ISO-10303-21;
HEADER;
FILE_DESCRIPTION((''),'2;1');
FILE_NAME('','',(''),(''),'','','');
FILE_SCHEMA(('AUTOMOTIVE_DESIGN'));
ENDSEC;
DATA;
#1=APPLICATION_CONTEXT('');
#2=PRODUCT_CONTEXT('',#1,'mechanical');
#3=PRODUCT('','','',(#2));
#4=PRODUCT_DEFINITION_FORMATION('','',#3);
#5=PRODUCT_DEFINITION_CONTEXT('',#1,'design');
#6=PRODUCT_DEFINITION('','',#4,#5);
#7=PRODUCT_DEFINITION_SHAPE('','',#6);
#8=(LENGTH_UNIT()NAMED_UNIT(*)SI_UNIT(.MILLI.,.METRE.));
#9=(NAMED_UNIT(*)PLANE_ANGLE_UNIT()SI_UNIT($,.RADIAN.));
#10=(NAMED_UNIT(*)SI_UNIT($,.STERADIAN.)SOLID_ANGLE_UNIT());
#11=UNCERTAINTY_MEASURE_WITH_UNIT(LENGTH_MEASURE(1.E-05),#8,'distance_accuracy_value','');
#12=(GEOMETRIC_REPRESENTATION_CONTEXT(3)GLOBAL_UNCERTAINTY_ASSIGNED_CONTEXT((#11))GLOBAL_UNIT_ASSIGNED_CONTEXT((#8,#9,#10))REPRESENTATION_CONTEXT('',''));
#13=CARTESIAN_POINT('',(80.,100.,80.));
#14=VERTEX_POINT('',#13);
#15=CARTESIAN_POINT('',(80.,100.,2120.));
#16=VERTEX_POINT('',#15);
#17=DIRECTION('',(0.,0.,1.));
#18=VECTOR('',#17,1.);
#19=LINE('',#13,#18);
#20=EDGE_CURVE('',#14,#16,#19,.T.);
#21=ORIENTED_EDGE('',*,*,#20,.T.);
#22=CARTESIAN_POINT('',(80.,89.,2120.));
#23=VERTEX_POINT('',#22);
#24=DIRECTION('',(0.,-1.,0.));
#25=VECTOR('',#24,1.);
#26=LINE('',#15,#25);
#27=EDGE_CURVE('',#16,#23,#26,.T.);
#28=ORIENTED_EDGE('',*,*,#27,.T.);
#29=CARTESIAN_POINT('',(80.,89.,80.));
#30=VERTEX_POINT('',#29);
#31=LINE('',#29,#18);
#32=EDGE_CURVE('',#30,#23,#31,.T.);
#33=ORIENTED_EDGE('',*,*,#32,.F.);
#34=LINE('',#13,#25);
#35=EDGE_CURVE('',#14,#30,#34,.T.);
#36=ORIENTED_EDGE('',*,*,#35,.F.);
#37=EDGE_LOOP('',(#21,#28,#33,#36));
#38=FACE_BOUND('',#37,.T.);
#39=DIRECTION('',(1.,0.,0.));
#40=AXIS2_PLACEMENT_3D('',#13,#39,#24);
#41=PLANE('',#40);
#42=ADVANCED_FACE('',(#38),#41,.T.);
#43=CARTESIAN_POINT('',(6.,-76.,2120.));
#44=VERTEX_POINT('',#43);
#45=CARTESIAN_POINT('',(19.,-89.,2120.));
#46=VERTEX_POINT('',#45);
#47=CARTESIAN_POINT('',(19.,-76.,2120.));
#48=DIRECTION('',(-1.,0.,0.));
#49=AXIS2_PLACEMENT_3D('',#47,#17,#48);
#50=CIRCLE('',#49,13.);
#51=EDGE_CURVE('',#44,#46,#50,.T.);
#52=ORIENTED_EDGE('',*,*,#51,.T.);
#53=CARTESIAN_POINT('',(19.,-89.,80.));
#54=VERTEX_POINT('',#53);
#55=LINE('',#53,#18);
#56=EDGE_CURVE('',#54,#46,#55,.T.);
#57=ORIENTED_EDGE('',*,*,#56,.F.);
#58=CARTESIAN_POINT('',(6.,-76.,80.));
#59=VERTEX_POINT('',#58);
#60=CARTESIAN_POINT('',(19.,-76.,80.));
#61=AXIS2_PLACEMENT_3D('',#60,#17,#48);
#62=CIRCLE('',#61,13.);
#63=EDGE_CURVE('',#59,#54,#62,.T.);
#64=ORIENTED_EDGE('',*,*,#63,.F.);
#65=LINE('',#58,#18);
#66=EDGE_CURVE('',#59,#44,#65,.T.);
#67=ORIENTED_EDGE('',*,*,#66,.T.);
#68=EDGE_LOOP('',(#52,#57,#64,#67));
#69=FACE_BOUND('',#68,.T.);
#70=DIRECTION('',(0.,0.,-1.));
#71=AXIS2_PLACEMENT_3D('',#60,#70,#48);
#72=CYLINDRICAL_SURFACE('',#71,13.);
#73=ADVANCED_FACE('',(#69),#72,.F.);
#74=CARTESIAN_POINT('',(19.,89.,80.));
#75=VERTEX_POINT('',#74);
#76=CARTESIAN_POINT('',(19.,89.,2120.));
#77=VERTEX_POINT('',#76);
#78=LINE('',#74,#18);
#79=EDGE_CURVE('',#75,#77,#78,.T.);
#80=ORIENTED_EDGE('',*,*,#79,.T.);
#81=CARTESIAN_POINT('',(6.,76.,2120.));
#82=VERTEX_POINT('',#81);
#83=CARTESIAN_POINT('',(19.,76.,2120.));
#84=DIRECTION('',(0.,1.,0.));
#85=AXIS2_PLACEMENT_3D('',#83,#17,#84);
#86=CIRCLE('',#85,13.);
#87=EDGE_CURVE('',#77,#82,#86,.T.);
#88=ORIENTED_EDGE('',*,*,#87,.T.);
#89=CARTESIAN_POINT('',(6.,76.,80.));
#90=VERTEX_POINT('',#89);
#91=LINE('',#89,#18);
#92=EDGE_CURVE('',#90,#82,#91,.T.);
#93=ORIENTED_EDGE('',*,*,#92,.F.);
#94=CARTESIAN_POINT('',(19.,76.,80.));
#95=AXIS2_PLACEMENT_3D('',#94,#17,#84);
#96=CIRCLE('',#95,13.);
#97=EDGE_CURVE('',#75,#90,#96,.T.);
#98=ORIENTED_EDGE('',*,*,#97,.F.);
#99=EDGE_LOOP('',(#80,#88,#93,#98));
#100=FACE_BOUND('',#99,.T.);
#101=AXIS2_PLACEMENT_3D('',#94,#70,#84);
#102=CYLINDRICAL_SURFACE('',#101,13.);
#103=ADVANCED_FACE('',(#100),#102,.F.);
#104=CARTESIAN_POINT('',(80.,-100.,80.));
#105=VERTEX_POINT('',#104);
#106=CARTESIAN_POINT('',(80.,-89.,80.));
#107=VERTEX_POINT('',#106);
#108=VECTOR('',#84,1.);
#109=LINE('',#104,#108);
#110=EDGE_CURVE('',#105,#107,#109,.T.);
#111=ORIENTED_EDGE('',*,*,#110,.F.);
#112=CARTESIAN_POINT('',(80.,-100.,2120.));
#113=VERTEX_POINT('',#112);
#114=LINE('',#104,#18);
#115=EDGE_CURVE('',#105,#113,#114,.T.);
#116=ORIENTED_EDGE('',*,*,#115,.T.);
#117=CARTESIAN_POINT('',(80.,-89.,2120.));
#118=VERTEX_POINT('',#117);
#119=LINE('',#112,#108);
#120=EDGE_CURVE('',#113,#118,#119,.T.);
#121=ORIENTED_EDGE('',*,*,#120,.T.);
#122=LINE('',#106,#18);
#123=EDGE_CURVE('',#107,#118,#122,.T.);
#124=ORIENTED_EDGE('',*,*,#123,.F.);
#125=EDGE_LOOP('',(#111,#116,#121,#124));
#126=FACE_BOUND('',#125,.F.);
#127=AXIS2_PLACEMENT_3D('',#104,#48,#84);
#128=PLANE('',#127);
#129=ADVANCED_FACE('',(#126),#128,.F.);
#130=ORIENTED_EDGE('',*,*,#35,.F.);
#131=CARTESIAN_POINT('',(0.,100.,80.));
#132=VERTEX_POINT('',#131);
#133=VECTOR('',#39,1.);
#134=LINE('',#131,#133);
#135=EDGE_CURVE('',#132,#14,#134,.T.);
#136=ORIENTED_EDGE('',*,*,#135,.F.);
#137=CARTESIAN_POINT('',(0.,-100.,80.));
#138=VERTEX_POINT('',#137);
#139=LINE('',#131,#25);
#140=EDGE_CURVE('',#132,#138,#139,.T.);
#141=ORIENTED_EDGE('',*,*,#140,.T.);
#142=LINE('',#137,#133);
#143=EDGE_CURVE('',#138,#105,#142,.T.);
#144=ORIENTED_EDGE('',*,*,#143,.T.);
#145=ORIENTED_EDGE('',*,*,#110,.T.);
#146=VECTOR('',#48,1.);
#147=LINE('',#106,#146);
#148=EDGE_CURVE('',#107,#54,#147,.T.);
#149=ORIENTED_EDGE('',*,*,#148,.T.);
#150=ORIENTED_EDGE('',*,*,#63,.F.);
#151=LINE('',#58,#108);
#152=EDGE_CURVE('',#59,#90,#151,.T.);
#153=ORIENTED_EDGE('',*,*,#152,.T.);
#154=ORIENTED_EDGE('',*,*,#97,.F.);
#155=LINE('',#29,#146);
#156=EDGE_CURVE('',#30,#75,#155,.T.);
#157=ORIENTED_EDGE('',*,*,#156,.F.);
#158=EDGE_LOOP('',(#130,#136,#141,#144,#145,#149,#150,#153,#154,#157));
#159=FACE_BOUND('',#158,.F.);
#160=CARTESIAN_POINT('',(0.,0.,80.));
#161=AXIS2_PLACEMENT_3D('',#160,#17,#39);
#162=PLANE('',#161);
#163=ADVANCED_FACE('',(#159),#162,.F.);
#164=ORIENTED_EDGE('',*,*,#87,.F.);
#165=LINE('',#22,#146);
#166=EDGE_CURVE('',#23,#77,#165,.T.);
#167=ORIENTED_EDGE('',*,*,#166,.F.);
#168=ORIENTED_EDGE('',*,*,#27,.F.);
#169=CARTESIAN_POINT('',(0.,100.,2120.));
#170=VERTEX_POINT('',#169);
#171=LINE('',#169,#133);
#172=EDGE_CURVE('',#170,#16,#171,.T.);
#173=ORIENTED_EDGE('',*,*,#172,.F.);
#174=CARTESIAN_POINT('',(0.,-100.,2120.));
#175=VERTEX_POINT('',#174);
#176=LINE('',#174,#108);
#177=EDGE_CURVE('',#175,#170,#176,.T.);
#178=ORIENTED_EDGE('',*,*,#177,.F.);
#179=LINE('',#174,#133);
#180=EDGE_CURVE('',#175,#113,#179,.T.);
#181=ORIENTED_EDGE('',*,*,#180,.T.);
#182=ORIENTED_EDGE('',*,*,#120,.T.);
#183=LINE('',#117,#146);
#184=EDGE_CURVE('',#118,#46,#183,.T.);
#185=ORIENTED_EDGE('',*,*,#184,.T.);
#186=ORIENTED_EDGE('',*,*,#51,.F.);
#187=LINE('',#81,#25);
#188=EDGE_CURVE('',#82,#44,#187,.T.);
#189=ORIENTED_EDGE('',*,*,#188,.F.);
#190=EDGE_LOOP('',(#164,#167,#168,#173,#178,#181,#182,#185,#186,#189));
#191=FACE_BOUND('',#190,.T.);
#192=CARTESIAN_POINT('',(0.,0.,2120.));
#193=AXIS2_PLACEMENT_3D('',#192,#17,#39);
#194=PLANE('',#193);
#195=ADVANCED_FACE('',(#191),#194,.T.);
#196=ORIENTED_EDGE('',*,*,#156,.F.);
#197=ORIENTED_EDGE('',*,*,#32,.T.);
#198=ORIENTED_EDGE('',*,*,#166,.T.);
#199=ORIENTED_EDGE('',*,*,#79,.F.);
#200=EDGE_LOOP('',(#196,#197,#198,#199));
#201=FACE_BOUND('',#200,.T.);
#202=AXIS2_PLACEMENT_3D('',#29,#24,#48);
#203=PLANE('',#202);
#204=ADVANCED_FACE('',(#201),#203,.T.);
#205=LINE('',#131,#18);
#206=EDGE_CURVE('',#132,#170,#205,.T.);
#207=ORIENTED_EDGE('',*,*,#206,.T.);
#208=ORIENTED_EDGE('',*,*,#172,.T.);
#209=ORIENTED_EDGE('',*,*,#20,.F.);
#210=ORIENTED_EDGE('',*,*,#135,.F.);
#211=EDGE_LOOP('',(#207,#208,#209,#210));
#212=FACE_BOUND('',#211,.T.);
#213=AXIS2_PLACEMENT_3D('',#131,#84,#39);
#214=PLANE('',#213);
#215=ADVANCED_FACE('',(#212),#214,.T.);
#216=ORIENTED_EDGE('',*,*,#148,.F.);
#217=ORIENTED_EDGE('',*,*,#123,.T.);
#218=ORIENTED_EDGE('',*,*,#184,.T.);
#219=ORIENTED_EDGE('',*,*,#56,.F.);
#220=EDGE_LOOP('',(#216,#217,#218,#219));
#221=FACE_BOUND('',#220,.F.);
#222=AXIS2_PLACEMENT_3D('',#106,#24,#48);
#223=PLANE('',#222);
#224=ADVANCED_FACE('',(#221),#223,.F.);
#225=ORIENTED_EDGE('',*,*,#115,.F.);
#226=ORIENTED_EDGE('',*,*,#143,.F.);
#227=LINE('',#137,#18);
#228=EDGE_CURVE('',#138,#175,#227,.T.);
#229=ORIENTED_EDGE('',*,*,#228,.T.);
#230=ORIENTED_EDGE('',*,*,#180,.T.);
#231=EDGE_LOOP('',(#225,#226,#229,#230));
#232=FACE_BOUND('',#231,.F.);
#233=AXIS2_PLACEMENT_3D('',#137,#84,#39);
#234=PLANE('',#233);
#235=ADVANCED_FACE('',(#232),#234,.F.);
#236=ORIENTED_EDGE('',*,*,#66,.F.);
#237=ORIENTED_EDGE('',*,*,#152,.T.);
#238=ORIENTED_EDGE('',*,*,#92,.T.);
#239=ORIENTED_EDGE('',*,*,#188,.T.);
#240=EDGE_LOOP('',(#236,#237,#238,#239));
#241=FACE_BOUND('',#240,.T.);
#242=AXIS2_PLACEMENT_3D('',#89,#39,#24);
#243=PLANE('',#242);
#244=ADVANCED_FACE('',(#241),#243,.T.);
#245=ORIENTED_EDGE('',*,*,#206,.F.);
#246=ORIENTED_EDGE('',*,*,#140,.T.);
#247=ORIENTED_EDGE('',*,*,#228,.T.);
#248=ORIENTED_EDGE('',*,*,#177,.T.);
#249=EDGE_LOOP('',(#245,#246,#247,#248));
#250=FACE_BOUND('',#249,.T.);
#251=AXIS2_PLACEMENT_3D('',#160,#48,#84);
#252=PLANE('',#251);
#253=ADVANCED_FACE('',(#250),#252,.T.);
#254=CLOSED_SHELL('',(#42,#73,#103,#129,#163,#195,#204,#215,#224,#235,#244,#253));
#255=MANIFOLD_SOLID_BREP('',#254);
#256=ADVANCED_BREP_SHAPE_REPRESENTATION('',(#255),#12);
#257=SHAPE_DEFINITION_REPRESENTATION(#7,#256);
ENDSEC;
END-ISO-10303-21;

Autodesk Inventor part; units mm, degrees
ref_plane "Start plane" through (0, 0, 80) normal (0, 0, 1) x (1, 0, 0)
ref_plane "End plane" through (0, 0, 2120) normal (0, 0, 1) x (1, 0, 0)
sketch "Sketch" plane through (0, 0, 0) normal (0, 0, 1) x (1, 0, 0)
  line L0 (0, 0) -> (0, 100)
  line L1 (0, 100) -> (80, 100)
  line L2 (80, 100) -> (80, 89)
  line L3 (80, 89) -> (19, 89)
  line L4 (6, 76) -> (6, 0)
  line L5 (6, 0) -> (0, 0) construction
  line L6 (25.6, 100) -> (25.6, 89) construction
  line L7 (80, 89) -> (80, 89) construction
  line L8 (80, 89) -> (25.6, 89) construction
  line L9 (0, 12) -> (0, -30) construction
  line L10 (-1.5, 0) -> (19.5, 0) construction
  line L11 (0, 0) -> (0, -100)
  line L12 (0, -100) -> (80, -100)
  line L13 (80, -100) -> (80, -89)
  line L14 (80, -89) -> (19, -89)
  line L15 (6, -76) -> (6, 0)
  arc A0 (6, -76) -> (19, -89) centre (19, -76) ccw
  arc A1 (19, 89) -> (6, 76) centre (19, 76) ccw
  line L16 (0, 140) -> (0, -140) construction
  line L17 (-17.8, 0) -> (96.3, 0) construction
  point P0 (6, 89)
  point P1 (6, -89)
  point P2 (25.6, -100)
  point P3 (25.6, -89)
  dimension "d0" = 6
  dimension "d1" = 100
  dimension "d2" = 80
  dimension "d3" = 11
  dimension "d5" = 0
  dimension "d23" = 13
  dimension "d24" = 0
  dimension "d29" = 25.6
extrude "Body" add sketch "Sketch" along normal up to surface (2040 mm away) from surface at 80
sketch "Sketch3" plane through (0, 0, 0) normal (0, 0, 1) x (1, 0, 0)
  line L0 (0, 0) -> (10, 0)
ref_plane "Work Plane3" through (0, 0, 0) normal (0, -1, 0) x (1, 0, 0)
sketch "Sketch4" plane through (0, 0, 0) normal (0, -1, 0) x (1, 0, 0)
  line L0 (-2, 80) -> (12, 80)
  line L1 (-2, 2120) -> (12, 2120)
  dimension "d28" = 2040
ref_plane "Work Plane4" through (80, 0, 2120) normal (0, 0, 1) x (1, 0, 0)
split "Split1" plane through (80, 0, 2120) removes the side toward (0, 0, 1)
ref_plane "Work Plane5" through (-3520, 0, 80) normal (0, 0, -1) x (-1, 0, 0)
split "Split2" plane through (-3520, 0, 80) removes the side toward (0, 0, -1)
equation "\"d0\" = G_T"
equation "\"d1\" = 0.5 * G_H"
equation "\"d2\" = G_W"
equation "\"d3\" = G_T1"
equation "\"d23\" = G_IR"
equation "\"d29\" = G_C"
equation "\"d6\" = G_L"
equation "\"G_W\" = 80"
equation "\"G_H\" = 200"
equation "\"G_T\" = 6"
equation "\"G_T1\" = 11"
equation "\"G_NG\" = 0"
equation "\"G_IR\" = 13"
equation "\"G_C\" = 25.6"
equation "\"G_L\" = d28"
equation "\"ex\" = 0"
properties part number "DIN 1026-2 - UPE 200 - 2040" material "Steel, Mild"
